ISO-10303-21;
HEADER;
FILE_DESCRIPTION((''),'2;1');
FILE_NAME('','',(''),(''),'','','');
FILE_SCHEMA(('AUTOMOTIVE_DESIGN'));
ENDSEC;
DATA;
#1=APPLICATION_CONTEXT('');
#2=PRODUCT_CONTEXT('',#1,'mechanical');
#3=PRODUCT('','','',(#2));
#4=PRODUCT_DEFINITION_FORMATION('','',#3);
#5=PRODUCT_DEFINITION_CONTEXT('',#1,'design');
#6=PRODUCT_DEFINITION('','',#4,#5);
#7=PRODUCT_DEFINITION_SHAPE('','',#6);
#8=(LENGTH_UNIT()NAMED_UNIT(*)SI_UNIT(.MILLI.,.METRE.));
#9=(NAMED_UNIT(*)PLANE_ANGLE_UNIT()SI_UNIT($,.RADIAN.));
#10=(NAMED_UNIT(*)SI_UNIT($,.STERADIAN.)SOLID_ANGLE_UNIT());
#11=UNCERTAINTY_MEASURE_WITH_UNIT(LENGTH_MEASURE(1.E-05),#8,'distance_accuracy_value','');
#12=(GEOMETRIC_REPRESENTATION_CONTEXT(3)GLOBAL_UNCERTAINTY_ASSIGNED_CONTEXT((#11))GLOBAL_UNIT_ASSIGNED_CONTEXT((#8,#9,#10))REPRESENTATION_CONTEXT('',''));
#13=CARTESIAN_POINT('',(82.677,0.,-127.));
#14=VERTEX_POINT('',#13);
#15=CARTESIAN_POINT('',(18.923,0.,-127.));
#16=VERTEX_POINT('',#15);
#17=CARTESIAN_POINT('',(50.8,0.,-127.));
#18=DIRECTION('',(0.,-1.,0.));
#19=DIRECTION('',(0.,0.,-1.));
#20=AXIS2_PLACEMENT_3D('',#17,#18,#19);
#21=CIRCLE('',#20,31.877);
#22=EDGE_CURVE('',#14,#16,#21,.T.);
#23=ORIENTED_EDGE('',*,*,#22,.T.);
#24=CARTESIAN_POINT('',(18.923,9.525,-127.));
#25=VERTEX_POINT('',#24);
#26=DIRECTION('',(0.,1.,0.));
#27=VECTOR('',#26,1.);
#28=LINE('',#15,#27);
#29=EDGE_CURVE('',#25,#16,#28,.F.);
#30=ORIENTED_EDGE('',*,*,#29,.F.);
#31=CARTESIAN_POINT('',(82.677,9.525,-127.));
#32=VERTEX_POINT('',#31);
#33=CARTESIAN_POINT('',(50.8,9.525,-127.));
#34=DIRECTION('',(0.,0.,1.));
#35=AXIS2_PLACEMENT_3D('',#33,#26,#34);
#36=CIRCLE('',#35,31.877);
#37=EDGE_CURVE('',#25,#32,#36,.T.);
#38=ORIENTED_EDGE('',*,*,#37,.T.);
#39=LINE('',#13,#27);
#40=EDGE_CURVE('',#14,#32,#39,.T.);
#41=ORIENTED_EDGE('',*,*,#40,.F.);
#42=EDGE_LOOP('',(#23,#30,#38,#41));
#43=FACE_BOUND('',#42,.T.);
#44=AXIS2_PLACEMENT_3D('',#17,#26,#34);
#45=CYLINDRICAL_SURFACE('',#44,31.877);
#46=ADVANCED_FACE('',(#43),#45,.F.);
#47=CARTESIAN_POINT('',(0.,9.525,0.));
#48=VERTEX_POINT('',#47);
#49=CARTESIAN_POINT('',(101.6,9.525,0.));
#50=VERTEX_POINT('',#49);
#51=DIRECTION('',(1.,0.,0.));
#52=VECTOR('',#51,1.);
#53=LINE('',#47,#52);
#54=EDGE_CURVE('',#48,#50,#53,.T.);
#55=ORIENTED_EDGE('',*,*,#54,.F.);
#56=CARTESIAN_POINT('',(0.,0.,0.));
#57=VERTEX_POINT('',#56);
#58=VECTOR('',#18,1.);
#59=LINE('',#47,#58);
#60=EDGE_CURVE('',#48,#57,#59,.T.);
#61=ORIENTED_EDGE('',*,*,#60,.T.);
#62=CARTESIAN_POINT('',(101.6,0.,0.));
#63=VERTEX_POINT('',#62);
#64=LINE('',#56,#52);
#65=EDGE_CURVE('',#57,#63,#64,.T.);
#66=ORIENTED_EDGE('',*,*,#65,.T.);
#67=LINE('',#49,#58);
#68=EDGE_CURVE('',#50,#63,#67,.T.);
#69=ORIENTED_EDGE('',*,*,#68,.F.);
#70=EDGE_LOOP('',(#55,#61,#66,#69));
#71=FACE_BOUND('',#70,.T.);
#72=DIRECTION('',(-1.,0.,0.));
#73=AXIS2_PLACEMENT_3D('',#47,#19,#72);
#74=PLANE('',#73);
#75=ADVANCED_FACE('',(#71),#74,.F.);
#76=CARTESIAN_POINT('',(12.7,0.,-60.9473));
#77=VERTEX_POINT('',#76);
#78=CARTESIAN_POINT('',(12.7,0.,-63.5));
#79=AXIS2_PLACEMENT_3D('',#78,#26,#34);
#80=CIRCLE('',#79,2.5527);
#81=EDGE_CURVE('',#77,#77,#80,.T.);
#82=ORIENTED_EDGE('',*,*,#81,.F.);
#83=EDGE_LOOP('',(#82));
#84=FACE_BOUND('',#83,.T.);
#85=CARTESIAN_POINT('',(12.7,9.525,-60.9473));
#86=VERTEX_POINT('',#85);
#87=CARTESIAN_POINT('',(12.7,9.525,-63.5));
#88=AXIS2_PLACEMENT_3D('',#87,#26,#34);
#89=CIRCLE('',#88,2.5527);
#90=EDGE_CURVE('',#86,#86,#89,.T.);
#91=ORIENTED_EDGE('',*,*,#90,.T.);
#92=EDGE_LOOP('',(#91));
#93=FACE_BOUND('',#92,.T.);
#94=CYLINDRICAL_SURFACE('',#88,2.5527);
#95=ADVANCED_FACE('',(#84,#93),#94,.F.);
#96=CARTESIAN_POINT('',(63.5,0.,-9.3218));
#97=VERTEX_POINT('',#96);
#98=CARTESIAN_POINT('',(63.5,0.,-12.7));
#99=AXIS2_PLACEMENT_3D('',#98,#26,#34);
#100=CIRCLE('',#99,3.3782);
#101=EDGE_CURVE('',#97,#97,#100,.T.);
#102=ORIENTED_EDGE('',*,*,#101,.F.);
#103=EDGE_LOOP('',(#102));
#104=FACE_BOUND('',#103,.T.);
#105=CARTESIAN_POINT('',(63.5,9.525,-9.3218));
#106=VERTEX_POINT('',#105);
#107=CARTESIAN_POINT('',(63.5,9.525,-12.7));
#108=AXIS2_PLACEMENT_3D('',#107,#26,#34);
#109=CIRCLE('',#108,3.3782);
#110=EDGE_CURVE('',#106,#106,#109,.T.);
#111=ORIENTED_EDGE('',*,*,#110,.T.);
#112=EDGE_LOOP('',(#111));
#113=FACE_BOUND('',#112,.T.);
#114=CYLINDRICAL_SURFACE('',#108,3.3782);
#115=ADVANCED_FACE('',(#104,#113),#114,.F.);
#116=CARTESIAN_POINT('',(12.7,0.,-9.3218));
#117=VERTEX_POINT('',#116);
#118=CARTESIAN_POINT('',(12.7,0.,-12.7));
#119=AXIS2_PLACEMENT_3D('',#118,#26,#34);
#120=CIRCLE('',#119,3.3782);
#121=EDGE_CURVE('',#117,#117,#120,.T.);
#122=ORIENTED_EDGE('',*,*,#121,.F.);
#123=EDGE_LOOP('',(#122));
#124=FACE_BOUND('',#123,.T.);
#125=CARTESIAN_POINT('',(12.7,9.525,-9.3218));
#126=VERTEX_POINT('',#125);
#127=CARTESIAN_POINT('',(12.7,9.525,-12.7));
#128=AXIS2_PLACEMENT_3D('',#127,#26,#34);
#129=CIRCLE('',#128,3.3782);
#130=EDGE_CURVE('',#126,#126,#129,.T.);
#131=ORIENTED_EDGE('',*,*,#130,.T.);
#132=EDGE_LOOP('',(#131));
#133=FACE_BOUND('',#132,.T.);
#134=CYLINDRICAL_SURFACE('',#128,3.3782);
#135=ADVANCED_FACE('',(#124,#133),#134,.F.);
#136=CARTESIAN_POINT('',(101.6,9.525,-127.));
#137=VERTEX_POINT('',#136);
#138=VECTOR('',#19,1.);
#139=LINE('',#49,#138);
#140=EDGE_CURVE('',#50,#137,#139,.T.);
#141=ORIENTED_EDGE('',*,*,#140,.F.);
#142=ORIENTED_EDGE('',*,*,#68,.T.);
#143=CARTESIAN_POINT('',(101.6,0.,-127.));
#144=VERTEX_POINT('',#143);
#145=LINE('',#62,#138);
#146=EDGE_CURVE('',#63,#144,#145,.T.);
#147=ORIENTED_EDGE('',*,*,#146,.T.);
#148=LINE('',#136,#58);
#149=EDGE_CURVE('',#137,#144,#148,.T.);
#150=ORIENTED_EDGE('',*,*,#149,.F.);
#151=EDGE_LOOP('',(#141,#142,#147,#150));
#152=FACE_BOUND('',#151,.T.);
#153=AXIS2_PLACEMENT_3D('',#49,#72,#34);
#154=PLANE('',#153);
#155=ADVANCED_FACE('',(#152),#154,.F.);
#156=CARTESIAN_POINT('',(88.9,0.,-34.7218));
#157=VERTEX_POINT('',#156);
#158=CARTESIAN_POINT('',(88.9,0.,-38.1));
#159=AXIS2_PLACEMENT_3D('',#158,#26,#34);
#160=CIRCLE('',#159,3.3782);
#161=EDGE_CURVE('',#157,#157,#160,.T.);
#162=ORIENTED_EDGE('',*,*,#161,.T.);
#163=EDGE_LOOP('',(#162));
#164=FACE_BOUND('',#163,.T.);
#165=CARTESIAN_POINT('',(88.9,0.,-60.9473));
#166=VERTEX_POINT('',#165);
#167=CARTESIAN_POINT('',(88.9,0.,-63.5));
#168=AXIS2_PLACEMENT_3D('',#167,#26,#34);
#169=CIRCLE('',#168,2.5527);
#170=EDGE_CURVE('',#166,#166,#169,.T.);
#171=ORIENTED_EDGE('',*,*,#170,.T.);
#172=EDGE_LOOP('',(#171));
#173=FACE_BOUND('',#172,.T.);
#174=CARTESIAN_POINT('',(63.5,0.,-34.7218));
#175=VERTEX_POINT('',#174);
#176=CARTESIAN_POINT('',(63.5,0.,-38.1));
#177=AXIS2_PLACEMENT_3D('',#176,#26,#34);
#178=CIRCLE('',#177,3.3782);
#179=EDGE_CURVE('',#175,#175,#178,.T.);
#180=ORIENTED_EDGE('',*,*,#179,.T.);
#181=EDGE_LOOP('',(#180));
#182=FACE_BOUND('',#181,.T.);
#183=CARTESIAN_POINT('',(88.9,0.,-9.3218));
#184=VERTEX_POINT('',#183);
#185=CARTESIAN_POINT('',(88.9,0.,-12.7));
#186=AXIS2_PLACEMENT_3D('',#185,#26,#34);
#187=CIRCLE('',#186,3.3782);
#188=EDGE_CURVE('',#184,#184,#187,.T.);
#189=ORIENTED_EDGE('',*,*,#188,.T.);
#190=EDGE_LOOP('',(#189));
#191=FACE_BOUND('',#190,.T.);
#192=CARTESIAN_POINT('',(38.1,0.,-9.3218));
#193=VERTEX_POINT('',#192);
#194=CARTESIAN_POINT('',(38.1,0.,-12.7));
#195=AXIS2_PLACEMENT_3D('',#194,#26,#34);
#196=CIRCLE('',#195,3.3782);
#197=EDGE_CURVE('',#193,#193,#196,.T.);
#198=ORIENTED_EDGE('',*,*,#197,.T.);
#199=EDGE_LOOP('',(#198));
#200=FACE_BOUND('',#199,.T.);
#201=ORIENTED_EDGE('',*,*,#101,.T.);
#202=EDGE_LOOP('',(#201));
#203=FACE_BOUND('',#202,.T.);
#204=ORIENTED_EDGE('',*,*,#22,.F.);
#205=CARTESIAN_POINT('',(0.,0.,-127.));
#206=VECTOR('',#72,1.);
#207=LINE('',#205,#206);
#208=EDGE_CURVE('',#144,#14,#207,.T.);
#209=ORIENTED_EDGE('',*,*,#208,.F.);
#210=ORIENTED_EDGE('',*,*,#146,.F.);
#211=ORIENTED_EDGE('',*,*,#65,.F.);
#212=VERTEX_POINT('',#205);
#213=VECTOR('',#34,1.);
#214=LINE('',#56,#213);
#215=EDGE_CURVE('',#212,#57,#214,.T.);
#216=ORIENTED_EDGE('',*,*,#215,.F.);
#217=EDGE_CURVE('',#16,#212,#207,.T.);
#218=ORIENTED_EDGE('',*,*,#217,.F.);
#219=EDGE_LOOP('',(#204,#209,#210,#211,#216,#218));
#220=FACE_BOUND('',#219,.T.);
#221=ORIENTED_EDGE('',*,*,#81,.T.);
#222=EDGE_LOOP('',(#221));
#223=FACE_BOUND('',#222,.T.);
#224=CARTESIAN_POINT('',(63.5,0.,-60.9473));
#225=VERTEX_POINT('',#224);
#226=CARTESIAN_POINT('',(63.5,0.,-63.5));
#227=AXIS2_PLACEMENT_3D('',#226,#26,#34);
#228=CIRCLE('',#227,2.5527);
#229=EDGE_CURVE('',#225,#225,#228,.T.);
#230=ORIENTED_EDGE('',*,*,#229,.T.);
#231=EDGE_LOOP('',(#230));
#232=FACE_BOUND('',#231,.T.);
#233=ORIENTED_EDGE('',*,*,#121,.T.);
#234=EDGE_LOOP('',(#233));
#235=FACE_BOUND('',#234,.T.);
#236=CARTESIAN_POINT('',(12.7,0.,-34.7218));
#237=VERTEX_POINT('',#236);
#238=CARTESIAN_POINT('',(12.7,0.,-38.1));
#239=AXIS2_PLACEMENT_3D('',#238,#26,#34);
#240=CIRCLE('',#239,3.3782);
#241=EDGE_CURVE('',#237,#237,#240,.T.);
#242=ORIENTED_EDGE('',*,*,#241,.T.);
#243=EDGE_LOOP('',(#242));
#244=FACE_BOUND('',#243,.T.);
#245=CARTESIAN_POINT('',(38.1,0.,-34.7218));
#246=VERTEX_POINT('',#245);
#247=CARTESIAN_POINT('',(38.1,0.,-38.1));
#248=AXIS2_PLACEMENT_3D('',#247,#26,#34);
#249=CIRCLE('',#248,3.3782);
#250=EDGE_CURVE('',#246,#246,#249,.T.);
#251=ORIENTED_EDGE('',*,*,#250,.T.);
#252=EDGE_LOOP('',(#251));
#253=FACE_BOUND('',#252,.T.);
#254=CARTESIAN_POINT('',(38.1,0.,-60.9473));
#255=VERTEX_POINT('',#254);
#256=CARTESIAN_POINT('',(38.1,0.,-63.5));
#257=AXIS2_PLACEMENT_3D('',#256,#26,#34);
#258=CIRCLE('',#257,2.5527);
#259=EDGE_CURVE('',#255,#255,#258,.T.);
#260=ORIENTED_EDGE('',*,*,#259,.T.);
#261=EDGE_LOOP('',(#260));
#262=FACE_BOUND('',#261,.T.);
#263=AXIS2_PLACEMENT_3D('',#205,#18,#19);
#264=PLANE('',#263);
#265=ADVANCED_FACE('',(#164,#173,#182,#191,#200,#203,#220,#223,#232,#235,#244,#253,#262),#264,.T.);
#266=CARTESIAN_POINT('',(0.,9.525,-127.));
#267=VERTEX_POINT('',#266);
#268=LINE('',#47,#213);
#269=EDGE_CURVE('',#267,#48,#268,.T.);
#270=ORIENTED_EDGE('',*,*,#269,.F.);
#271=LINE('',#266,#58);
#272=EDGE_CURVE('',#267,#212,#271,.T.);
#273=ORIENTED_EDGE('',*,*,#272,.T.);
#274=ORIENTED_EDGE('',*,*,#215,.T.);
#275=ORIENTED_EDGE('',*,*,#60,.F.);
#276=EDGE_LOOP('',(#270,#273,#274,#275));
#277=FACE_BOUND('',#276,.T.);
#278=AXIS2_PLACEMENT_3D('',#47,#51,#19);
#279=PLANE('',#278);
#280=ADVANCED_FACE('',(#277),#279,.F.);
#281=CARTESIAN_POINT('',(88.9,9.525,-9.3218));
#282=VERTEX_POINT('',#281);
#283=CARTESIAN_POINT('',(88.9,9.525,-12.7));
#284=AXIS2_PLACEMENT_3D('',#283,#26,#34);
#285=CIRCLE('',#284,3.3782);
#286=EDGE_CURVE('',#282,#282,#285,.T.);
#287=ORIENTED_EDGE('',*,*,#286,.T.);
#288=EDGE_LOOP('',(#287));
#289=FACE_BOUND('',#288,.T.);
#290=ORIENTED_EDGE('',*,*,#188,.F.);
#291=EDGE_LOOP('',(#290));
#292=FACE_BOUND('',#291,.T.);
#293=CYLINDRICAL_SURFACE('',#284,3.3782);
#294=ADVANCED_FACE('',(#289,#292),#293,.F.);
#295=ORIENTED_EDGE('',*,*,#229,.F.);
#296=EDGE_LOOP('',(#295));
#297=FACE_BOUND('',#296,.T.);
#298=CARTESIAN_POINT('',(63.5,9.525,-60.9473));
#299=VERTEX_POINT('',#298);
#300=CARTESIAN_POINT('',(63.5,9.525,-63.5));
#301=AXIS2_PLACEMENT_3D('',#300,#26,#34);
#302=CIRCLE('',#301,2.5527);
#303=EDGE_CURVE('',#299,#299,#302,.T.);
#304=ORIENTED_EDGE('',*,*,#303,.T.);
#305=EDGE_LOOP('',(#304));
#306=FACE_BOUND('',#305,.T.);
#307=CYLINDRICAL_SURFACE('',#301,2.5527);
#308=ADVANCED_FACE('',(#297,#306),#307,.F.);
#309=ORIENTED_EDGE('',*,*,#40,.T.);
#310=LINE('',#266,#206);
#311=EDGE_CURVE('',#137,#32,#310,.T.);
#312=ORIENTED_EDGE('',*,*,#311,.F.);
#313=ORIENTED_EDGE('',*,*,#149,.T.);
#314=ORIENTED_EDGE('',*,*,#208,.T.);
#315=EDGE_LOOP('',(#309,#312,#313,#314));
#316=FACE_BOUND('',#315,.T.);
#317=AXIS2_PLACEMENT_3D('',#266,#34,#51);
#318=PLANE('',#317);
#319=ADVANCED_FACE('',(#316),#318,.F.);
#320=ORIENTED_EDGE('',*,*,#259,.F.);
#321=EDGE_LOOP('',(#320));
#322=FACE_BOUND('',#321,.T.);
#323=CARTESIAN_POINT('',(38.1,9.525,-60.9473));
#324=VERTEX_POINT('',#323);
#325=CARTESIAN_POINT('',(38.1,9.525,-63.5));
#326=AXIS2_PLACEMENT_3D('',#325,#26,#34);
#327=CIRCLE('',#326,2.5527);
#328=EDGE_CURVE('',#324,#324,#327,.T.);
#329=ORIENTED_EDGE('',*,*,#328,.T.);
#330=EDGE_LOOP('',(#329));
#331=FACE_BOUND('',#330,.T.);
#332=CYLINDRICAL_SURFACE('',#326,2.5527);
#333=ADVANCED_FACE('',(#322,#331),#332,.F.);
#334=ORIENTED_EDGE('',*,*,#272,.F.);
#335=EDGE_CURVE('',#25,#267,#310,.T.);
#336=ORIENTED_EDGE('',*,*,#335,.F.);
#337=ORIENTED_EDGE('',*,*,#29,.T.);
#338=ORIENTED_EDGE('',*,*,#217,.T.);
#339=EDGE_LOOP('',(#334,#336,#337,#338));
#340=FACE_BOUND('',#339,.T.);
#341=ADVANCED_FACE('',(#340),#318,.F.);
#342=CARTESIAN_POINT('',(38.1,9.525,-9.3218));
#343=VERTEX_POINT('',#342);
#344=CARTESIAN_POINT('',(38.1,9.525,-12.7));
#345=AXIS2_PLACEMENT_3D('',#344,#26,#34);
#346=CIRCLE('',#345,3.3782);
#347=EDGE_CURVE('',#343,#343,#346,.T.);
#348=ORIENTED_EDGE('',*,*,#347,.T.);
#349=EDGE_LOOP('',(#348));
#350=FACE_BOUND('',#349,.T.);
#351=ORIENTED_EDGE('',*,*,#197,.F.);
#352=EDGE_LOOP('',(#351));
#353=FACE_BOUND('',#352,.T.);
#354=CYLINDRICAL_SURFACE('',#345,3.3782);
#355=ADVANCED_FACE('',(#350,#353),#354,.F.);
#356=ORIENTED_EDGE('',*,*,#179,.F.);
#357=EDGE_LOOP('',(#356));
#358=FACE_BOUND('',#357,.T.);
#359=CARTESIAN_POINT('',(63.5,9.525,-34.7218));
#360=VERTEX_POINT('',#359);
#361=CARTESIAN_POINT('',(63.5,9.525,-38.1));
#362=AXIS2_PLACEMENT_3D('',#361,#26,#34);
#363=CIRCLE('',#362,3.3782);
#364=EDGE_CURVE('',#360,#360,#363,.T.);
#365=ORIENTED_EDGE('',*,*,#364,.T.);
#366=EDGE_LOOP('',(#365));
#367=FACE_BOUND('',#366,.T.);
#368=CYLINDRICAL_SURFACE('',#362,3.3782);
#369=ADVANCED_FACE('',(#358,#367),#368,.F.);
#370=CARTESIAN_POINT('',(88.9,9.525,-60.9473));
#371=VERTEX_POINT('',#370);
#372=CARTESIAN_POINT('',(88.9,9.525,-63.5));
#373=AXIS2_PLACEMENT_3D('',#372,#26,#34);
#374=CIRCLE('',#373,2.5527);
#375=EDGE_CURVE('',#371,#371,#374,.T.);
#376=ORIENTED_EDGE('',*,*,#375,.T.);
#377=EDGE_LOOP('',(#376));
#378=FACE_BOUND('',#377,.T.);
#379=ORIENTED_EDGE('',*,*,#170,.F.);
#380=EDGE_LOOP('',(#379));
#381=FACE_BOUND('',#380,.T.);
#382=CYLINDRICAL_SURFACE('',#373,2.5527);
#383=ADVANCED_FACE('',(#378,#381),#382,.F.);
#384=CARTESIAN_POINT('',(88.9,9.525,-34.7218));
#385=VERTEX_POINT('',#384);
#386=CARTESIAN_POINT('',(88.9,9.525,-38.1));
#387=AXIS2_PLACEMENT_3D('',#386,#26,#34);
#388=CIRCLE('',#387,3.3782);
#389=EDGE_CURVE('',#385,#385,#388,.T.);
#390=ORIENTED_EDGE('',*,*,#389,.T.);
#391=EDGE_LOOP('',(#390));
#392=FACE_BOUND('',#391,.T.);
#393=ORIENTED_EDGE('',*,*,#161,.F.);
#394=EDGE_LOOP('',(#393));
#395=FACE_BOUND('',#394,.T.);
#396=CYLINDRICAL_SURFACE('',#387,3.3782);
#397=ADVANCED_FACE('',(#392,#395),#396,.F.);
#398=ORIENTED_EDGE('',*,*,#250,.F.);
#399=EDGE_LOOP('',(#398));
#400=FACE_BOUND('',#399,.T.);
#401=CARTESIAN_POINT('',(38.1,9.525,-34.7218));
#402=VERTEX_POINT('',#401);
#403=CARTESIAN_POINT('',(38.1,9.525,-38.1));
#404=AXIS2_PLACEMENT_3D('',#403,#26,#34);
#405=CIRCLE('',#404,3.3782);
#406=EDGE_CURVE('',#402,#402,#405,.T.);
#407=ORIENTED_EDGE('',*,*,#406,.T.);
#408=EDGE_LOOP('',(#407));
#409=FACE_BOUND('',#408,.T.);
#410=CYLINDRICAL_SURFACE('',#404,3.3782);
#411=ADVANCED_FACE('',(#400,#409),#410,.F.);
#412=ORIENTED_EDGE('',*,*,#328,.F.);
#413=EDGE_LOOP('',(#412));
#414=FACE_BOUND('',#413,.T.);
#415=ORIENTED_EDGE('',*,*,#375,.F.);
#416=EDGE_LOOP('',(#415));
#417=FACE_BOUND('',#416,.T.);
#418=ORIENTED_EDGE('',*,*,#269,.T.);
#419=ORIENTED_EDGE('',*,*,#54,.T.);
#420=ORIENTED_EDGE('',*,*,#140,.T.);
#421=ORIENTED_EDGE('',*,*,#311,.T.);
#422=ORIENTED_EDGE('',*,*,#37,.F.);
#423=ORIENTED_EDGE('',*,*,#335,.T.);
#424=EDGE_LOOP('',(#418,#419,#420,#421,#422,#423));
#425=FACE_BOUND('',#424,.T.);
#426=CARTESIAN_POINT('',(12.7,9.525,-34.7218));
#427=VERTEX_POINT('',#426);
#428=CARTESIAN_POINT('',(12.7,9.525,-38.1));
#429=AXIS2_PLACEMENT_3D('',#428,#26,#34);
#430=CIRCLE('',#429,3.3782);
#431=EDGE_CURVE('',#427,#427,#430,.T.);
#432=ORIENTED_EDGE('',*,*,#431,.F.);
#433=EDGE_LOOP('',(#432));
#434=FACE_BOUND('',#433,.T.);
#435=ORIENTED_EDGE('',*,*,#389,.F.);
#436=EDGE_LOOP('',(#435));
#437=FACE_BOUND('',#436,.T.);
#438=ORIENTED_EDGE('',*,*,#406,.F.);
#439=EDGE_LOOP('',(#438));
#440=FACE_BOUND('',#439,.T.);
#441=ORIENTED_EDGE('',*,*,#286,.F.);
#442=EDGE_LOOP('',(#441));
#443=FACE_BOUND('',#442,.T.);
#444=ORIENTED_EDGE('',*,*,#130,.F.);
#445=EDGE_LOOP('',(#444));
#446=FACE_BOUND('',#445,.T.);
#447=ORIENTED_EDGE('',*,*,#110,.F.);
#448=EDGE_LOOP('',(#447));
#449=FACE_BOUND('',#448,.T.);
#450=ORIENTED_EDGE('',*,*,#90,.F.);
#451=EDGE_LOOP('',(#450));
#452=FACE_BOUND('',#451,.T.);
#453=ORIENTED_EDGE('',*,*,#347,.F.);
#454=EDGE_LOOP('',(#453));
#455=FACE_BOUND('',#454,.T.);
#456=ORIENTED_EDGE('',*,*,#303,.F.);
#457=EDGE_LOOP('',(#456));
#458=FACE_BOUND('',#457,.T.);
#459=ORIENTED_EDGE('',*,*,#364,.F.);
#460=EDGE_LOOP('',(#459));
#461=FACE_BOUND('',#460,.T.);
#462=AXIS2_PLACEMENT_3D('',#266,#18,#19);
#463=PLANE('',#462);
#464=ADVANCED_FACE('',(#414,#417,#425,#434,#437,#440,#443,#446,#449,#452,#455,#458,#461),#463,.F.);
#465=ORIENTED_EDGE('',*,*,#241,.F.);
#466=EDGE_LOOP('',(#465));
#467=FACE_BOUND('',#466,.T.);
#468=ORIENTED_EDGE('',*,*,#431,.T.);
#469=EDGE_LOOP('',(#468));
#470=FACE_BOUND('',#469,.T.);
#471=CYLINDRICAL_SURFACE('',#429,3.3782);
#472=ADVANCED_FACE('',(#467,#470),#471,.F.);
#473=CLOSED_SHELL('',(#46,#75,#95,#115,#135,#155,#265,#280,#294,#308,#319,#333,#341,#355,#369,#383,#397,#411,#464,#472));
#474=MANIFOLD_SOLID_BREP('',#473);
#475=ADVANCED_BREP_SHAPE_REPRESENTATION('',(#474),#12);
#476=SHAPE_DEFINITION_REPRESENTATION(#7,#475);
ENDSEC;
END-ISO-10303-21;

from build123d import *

# Parameters (mm, degrees)
SKETCH1_W                   = 101.6
SKETCH1_H                   = 127
BOSS_EXTRUDE1_DEPTH         = 9.525
SKETCH2_R                   = 31.877
CUT_EXTRUDE1_DEPTH          = 10.525
F_1_4_CLEARANCE_HOLE1_D     = 6.7564
LPATTERN1_COUNT             = 2
LPATTERN1_PITCH             = 25.4
LPATTERN1_COUNT_DIR2        = 4
LPATTERN1_PITCH_DIR2        = 25.4
TAP_DRILL_FOR_1_4_20_TAP1_D = 5.1054
LPATTERN2_COUNT             = 4
LPATTERN2_PITCH             = 25.4


with BuildPart() as part:
    # Sketch1 → Boss-Extrude1 (new body)
    with BuildSketch(Plane(origin=(0, 0, 0), x_dir=(1, 0, 0), z_dir=(0, 1, 0))):
        with Locations((50.8, 63.5)):
            Rectangle(SKETCH1_W, SKETCH1_H)
    extrude(amount=BOSS_EXTRUDE1_DEPTH)

    # Sketch2 → Cut-Extrude1 (cut, through all)
    with BuildSketch(Plane(origin=(0, 9.525, 0), x_dir=(1, 0, 0), z_dir=(0, 1, 0))):
        with Locations((50.8, 127)):
            Circle(SKETCH2_R)
    extrude(amount=-CUT_EXTRUDE1_DEPTH, mode=Mode.SUBTRACT)

    # 1/4 Clearance Hole1 (through all)
    with Locations(Plane(origin=(0, 9.525, 0), x_dir=(-1, 0, 0), z_dir=(0, 1, 0))):
        with Locations((-12.7, -12.7)):
            f_1_4_clearance_hole1 = Hole(F_1_4_CLEARANCE_HOLE1_D / 2)

    # LPattern1: 1_4 Clearance Hole1 2 × 4
    with Locations(*[(j * LPATTERN1_PITCH_DIR2, 0, -i * LPATTERN1_PITCH) for i in range(LPATTERN1_COUNT) for j in range(LPATTERN1_COUNT_DIR2) if (i, j) != (0, 0)]):
        add(f_1_4_clearance_hole1, mode=Mode.SUBTRACT)

    # Tap Drill for 1/4-20 Tap1 (through all)
    with Locations(Plane(origin=(0, 9.525, 0), x_dir=(-1, 0, 0), z_dir=(0, 1, 0))):
        with Locations((-12.7, -63.5)):
            tap_drill_for_1_4_20_tap1 = Hole(TAP_DRILL_FOR_1_4_20_TAP1_D / 2)

    # LPattern2: Tap Drill for 1/4-20 Tap1 ×4
    with Locations(*[(i * LPATTERN2_PITCH, 0, 0) for i in range(1, LPATTERN2_COUNT)]):
        add(tap_drill_for_1_4_20_tap1, mode=Mode.SUBTRACT)


solid = part.part
